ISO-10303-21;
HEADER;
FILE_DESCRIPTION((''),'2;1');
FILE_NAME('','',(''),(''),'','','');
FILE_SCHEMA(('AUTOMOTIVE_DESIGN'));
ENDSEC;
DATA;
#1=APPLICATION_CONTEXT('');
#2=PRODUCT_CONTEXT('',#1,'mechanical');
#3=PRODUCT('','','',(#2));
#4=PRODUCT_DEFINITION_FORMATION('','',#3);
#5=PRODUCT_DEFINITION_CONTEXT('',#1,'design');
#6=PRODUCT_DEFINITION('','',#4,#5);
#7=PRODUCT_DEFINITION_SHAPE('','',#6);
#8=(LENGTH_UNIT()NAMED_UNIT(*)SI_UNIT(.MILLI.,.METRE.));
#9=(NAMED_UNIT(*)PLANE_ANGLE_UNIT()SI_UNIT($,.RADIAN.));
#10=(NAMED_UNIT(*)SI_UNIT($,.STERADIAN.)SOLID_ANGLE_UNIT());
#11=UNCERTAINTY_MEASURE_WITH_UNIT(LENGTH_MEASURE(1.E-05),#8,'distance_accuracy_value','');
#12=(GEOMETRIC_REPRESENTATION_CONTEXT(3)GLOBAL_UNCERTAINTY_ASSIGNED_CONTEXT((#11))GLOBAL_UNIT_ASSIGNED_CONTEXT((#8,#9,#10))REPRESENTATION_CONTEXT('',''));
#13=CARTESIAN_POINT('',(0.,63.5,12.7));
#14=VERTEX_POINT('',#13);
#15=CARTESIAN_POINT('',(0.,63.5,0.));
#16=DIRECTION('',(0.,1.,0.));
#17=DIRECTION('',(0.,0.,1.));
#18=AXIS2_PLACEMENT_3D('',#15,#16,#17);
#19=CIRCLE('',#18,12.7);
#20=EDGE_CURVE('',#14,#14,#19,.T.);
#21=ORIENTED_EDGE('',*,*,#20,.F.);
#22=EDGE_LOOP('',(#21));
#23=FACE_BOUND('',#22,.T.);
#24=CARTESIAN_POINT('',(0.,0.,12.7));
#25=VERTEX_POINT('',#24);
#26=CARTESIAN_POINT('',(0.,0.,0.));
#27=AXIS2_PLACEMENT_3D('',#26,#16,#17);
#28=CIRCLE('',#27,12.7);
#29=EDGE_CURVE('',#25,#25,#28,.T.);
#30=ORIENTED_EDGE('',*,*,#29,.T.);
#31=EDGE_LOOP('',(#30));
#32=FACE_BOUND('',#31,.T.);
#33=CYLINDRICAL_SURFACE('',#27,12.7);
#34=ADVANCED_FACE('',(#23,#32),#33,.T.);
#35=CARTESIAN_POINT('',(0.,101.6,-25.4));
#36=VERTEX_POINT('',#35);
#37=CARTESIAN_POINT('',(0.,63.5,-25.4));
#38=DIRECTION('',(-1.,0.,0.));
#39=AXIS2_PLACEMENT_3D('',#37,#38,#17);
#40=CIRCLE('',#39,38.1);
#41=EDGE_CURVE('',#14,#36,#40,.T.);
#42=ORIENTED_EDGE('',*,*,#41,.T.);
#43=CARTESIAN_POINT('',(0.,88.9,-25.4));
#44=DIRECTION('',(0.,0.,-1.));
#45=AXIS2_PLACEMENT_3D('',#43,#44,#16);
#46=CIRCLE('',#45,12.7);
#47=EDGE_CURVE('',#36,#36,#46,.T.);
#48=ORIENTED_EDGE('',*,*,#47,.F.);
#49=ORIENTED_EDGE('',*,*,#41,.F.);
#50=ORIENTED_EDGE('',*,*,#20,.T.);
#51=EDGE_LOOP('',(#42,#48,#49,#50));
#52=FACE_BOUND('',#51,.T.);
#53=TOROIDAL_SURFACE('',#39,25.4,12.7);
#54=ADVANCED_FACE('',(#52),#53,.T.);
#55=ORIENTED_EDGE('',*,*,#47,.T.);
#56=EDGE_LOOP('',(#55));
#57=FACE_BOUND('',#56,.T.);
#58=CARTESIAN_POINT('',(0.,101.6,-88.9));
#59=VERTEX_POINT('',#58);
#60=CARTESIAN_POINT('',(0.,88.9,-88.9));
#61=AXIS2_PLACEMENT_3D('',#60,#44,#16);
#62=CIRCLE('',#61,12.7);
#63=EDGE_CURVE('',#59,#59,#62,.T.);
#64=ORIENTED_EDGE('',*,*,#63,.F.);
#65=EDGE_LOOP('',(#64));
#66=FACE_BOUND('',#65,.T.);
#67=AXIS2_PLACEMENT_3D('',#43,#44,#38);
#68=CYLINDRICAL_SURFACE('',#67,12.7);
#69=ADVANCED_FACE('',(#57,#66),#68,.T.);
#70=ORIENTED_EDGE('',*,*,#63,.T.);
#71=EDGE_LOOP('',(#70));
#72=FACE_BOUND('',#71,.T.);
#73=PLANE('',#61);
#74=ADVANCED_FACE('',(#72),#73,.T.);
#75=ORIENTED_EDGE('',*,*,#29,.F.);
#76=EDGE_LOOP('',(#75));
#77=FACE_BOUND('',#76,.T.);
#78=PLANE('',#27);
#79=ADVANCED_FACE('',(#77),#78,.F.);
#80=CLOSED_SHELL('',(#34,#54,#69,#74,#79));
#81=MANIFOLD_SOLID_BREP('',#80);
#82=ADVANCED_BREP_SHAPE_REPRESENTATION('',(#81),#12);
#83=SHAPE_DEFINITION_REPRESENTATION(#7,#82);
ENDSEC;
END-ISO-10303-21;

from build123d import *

# Parameters (mm, degrees)
SKETCH1_R = 12.7


with BuildPart() as part:
    # Sweep1: sweep along a path in Sketch2
    with BuildLine(Plane(origin=(0, 0, 0), x_dir=(0, 0, -1), z_dir=(1, 0, 0))) as sweep1_path:
        Line((0, 0), (0, 63.5))
        ThreePointArc((0, 63.5), (7.439487758, 81.460512242), (25.4, 88.9))
        Line((25.4, 88.9), (88.9, 88.9))
    # Sketch1 → Sweep1 (sweep)
    with BuildSketch(Plane(origin=(0, 0, 0), x_dir=(1, 0, 0), z_dir=(0, 1, 0))):
        Circle(SKETCH1_R)
    sweep(path=sweep1_path.line)


solid = part.part
